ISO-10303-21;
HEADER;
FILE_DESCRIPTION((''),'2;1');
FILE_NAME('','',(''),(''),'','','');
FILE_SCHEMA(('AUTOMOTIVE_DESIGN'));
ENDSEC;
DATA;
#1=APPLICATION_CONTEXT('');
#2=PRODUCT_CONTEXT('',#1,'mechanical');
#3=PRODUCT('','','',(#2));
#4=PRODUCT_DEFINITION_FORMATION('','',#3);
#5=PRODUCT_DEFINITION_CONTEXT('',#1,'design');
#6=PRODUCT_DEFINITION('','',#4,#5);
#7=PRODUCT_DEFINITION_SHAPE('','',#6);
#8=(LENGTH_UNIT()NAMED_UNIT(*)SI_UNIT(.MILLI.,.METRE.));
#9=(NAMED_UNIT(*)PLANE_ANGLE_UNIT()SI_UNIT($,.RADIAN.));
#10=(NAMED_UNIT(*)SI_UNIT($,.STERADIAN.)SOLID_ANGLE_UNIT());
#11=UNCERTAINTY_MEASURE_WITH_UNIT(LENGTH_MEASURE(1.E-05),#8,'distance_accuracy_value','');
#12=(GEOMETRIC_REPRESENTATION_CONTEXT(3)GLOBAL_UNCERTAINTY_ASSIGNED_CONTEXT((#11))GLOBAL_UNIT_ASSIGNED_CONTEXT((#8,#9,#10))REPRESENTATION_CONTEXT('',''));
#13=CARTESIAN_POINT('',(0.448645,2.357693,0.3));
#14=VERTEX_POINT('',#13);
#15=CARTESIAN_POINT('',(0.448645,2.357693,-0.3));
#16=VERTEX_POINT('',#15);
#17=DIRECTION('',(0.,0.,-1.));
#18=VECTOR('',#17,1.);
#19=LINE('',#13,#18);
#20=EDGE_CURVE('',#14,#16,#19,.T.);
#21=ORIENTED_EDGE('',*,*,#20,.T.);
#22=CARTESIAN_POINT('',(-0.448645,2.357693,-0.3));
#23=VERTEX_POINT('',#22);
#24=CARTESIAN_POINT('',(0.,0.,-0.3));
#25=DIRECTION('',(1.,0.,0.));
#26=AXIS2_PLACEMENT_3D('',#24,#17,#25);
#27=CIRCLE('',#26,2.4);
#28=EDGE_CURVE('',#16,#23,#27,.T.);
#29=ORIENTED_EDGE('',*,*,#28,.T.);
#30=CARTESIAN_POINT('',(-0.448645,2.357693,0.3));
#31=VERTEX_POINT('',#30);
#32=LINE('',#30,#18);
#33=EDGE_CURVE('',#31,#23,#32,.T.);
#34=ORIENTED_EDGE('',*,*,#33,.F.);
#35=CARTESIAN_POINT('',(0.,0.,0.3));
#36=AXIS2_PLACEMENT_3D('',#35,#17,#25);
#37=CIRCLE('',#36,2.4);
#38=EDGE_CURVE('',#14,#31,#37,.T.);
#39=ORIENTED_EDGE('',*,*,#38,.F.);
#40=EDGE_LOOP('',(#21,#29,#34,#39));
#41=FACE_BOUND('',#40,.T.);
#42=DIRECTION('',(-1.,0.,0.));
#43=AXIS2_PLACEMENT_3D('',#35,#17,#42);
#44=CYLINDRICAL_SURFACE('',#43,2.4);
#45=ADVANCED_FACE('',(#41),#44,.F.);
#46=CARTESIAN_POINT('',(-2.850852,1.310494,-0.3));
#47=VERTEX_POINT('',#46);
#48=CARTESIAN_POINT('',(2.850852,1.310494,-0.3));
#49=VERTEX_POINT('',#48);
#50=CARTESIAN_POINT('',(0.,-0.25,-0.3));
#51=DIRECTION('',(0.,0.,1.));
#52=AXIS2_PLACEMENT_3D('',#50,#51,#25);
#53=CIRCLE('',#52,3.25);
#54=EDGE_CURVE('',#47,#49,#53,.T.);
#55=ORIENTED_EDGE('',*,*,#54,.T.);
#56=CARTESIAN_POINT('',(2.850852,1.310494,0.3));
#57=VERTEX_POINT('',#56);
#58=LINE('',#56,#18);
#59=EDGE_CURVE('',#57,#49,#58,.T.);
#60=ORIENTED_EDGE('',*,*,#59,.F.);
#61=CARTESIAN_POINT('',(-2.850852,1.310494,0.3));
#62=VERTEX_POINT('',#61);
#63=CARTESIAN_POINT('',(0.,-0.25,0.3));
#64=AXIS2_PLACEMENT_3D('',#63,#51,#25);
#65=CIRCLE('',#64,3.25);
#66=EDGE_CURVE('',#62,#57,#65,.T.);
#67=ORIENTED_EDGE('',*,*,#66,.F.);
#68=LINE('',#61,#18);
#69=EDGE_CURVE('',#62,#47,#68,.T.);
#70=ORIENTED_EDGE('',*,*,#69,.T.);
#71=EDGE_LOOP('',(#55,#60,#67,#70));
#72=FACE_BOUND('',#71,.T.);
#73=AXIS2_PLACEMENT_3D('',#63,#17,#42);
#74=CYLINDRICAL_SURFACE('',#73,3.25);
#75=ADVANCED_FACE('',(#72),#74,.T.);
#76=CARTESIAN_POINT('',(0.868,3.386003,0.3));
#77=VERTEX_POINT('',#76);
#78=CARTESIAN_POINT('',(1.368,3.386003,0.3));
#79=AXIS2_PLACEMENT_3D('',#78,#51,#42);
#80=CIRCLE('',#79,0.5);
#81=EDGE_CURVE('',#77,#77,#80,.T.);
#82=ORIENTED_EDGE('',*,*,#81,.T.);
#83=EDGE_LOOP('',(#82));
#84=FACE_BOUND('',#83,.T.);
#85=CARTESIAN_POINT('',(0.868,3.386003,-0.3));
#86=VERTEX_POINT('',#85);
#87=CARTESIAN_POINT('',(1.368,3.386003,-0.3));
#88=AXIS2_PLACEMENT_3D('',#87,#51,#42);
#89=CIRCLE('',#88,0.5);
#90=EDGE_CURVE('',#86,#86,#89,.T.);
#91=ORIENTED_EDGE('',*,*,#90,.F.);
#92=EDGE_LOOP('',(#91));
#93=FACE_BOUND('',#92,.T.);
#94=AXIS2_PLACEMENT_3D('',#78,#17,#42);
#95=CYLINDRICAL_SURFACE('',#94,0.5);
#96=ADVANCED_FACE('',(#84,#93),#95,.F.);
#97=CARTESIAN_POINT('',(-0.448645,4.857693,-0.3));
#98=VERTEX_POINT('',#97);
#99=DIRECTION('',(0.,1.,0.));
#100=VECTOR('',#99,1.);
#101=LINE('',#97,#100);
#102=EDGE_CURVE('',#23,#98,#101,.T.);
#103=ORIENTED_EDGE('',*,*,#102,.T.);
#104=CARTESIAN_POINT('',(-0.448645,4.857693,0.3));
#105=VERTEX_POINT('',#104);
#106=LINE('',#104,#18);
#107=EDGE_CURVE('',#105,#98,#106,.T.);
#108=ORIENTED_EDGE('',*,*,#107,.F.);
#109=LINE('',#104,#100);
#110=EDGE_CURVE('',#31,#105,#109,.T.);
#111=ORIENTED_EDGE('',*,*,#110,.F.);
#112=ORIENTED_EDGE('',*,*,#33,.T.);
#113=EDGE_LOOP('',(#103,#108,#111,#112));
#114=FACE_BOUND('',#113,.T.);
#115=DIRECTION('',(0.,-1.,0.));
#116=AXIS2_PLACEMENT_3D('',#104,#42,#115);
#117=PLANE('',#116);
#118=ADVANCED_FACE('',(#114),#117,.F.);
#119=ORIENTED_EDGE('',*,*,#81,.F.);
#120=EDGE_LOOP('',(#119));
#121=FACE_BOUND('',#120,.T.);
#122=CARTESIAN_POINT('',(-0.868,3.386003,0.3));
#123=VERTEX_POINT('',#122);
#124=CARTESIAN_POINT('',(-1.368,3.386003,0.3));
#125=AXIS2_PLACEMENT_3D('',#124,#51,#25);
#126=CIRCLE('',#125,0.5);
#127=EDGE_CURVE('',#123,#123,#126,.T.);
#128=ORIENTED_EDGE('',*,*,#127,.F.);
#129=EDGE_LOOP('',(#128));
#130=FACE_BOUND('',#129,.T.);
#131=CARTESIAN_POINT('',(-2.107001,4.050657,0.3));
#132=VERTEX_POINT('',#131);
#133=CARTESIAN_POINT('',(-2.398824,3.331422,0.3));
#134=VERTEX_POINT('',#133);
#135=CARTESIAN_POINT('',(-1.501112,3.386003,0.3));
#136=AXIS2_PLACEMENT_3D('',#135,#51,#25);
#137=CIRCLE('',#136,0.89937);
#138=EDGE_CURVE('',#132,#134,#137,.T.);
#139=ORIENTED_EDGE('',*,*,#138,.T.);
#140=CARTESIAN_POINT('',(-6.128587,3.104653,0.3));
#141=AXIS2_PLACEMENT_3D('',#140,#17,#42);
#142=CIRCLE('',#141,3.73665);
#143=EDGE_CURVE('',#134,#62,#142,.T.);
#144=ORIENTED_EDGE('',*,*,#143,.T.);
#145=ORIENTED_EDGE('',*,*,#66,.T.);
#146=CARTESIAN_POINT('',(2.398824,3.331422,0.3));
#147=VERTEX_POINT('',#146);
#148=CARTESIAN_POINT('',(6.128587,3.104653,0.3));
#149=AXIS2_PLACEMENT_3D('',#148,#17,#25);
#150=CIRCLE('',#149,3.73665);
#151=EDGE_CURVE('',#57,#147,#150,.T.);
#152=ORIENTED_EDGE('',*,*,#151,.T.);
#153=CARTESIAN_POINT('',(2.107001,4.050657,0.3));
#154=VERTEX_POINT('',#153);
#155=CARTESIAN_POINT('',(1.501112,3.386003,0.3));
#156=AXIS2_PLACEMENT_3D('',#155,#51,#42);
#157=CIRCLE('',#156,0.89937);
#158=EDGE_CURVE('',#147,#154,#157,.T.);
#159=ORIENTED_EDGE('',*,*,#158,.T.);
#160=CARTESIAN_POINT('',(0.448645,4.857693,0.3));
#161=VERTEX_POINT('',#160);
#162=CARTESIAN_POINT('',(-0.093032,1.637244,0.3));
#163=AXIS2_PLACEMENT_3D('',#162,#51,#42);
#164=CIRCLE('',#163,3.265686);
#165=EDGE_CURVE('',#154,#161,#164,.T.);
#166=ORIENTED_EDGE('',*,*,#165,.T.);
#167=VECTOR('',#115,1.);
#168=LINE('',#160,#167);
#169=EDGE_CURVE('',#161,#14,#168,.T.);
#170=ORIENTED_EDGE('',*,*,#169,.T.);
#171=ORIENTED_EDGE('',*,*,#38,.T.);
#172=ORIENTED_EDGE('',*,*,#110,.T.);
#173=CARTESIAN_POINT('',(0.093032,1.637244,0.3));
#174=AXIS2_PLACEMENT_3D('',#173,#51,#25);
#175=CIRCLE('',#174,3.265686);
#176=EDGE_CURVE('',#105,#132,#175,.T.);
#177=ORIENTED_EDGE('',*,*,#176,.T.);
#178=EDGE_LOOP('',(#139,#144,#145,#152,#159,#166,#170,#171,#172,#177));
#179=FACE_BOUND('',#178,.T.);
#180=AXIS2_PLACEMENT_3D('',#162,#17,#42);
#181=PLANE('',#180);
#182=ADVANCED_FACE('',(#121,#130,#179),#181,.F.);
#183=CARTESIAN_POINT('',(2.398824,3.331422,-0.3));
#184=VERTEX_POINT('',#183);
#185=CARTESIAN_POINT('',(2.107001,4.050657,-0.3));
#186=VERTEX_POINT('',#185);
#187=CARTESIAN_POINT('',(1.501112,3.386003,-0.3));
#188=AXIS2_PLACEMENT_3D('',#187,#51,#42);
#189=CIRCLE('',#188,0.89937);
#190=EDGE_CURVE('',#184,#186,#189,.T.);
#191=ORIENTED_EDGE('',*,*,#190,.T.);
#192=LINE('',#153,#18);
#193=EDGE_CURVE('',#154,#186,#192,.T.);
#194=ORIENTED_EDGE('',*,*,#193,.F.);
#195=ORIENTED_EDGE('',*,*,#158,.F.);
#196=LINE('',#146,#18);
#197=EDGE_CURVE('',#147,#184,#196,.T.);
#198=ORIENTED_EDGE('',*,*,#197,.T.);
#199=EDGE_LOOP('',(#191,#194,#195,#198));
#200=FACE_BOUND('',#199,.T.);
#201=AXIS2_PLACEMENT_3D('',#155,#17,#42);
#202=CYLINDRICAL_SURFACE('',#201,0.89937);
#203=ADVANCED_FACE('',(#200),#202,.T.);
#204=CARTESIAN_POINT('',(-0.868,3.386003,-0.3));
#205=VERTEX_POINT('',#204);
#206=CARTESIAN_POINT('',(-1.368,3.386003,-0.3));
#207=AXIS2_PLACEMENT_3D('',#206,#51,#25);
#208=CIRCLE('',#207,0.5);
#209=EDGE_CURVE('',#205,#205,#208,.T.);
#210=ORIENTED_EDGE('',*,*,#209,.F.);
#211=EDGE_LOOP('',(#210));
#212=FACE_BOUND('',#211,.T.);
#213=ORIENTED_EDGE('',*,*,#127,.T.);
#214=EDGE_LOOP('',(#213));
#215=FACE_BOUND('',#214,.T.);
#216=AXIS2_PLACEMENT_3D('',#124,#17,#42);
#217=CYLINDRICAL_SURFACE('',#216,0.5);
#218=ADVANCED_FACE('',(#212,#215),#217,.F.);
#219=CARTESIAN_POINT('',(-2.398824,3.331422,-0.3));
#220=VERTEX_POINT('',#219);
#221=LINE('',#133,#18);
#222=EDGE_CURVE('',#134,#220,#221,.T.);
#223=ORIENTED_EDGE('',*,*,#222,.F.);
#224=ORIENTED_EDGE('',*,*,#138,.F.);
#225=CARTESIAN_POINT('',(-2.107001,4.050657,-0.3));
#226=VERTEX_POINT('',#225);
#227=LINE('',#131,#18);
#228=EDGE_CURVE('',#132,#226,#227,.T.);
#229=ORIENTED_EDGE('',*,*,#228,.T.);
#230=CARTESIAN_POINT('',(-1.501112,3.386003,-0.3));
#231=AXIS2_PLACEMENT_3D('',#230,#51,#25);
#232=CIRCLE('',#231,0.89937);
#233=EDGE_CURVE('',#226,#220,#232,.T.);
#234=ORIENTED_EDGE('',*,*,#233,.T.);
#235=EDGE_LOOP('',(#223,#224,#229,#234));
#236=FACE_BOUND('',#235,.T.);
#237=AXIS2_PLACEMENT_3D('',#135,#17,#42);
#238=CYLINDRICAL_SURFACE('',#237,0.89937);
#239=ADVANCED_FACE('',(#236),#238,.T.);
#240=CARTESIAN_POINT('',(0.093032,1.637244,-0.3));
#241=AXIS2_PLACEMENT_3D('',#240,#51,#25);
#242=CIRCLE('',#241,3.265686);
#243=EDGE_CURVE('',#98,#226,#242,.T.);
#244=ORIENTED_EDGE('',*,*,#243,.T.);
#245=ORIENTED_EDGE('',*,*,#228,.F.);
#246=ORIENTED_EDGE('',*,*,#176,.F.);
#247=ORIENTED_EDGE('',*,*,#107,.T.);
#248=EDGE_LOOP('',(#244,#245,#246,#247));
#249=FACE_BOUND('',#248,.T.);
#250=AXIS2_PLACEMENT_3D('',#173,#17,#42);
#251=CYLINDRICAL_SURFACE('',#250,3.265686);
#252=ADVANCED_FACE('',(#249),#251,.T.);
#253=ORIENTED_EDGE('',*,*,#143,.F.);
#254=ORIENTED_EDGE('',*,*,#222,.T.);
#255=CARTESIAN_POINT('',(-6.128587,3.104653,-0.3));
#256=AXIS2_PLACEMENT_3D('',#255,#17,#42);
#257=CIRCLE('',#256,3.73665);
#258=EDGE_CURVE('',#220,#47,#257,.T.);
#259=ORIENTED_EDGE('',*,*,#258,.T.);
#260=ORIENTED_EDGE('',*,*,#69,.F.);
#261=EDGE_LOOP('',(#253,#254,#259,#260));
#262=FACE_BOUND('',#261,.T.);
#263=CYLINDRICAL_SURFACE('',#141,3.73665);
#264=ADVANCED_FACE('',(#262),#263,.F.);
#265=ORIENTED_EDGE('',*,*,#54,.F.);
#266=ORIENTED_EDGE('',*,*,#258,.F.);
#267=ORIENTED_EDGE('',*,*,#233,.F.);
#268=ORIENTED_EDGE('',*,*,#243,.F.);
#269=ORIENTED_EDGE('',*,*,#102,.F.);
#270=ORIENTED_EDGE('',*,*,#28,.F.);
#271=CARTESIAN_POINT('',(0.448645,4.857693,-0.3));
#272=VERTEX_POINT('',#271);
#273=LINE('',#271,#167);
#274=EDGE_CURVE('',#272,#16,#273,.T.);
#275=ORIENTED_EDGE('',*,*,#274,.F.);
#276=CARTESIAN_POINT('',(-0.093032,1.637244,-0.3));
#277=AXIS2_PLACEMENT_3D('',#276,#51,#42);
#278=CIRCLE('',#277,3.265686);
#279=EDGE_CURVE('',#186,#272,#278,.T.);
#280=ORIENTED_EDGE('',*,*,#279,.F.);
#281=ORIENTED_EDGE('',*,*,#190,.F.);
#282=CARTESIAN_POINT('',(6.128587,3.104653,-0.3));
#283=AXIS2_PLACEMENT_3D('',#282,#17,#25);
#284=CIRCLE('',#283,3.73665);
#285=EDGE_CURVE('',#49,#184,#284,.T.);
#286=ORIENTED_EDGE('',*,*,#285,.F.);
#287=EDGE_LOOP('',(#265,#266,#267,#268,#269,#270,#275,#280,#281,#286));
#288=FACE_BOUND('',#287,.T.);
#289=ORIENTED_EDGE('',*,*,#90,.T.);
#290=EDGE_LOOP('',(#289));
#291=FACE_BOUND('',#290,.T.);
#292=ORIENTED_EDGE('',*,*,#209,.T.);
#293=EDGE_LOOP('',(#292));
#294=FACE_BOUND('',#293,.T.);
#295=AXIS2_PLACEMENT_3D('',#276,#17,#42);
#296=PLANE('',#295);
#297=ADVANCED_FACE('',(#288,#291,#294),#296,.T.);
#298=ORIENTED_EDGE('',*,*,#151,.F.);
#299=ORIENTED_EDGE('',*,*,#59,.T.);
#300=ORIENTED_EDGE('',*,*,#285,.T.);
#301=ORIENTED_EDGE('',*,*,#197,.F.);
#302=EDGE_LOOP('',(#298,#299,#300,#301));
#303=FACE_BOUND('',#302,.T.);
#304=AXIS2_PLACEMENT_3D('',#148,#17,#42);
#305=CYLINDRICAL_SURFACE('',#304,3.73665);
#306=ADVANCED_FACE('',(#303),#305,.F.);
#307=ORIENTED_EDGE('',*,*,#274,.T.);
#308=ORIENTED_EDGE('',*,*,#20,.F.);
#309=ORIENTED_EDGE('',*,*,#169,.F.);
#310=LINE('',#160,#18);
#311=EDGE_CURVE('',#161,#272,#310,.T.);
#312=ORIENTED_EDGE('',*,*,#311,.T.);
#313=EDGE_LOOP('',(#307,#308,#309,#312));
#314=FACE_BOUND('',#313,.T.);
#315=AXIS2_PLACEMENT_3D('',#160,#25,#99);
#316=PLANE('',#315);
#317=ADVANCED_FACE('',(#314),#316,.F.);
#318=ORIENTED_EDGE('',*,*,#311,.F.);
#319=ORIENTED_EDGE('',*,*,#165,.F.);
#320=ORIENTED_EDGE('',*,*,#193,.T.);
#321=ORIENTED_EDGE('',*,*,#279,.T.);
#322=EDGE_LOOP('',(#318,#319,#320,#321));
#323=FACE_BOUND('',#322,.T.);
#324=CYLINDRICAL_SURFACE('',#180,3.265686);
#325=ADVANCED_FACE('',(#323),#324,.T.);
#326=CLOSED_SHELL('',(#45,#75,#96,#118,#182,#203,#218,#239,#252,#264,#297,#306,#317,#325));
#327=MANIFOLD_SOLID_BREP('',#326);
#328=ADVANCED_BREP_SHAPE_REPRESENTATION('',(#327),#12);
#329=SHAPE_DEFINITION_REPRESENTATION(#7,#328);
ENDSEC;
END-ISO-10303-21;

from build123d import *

# Parameters (mm, degrees)
SKETCH1_R           = 0.5
BOSS_EXTRUDE1_DEPTH = 0.3


with BuildPart() as part:
    # Sketch1 → Boss-Extrude1 (new, symmetric)
    with BuildSketch(Plane.XY):
        with BuildLine():
            Line((0.448644837, 4.857693324), (0.448644837, 2.357693324))
            ThreePointArc((0.448644837, 2.357693324), (0, -2.4), (-0.448644837, 2.357693324))
            Line((-0.448644837, 2.357693324), (-0.448644837, 4.857693324))
            ThreePointArc((-0.448644837, 4.857693324), (-1.335978352, 4.573676707), (-2.107001259, 4.050656745))
            ThreePointArc((-2.107001259, 4.050656745), (-2.334496109, 3.724141163), (-2.398824378, 3.331422173))
            ThreePointArc((-2.398824378, 3.331422173), (-2.482041728, 2.289018159), (-2.85085236, 1.310493774))
            ThreePointArc((-2.85085236, 1.310493774), (0, -3.5), (2.85085236, 1.310493774))
            ThreePointArc((2.85085236, 1.310493774), (2.482041728, 2.289018159), (2.398824378, 3.331422173))
            ThreePointArc((2.398824378, 3.331422173), (2.334496109, 3.724141163), (2.107001259, 4.050656745))
            ThreePointArc((2.107001259, 4.050656745), (1.335978352, 4.573676707), (0.448644837, 4.857693324))
        make_face()
        with Locations((-1.367999755, 3.386002894)):
            Circle(SKETCH1_R, mode=Mode.SUBTRACT)
        with Locations(Location((1.367999755, 3.386002894, 0), (0, 0, 180))):
            Circle(SKETCH1_R, mode=Mode.SUBTRACT)
    extrude(amount=BOSS_EXTRUDE1_DEPTH, both=True)


solid = part.part
